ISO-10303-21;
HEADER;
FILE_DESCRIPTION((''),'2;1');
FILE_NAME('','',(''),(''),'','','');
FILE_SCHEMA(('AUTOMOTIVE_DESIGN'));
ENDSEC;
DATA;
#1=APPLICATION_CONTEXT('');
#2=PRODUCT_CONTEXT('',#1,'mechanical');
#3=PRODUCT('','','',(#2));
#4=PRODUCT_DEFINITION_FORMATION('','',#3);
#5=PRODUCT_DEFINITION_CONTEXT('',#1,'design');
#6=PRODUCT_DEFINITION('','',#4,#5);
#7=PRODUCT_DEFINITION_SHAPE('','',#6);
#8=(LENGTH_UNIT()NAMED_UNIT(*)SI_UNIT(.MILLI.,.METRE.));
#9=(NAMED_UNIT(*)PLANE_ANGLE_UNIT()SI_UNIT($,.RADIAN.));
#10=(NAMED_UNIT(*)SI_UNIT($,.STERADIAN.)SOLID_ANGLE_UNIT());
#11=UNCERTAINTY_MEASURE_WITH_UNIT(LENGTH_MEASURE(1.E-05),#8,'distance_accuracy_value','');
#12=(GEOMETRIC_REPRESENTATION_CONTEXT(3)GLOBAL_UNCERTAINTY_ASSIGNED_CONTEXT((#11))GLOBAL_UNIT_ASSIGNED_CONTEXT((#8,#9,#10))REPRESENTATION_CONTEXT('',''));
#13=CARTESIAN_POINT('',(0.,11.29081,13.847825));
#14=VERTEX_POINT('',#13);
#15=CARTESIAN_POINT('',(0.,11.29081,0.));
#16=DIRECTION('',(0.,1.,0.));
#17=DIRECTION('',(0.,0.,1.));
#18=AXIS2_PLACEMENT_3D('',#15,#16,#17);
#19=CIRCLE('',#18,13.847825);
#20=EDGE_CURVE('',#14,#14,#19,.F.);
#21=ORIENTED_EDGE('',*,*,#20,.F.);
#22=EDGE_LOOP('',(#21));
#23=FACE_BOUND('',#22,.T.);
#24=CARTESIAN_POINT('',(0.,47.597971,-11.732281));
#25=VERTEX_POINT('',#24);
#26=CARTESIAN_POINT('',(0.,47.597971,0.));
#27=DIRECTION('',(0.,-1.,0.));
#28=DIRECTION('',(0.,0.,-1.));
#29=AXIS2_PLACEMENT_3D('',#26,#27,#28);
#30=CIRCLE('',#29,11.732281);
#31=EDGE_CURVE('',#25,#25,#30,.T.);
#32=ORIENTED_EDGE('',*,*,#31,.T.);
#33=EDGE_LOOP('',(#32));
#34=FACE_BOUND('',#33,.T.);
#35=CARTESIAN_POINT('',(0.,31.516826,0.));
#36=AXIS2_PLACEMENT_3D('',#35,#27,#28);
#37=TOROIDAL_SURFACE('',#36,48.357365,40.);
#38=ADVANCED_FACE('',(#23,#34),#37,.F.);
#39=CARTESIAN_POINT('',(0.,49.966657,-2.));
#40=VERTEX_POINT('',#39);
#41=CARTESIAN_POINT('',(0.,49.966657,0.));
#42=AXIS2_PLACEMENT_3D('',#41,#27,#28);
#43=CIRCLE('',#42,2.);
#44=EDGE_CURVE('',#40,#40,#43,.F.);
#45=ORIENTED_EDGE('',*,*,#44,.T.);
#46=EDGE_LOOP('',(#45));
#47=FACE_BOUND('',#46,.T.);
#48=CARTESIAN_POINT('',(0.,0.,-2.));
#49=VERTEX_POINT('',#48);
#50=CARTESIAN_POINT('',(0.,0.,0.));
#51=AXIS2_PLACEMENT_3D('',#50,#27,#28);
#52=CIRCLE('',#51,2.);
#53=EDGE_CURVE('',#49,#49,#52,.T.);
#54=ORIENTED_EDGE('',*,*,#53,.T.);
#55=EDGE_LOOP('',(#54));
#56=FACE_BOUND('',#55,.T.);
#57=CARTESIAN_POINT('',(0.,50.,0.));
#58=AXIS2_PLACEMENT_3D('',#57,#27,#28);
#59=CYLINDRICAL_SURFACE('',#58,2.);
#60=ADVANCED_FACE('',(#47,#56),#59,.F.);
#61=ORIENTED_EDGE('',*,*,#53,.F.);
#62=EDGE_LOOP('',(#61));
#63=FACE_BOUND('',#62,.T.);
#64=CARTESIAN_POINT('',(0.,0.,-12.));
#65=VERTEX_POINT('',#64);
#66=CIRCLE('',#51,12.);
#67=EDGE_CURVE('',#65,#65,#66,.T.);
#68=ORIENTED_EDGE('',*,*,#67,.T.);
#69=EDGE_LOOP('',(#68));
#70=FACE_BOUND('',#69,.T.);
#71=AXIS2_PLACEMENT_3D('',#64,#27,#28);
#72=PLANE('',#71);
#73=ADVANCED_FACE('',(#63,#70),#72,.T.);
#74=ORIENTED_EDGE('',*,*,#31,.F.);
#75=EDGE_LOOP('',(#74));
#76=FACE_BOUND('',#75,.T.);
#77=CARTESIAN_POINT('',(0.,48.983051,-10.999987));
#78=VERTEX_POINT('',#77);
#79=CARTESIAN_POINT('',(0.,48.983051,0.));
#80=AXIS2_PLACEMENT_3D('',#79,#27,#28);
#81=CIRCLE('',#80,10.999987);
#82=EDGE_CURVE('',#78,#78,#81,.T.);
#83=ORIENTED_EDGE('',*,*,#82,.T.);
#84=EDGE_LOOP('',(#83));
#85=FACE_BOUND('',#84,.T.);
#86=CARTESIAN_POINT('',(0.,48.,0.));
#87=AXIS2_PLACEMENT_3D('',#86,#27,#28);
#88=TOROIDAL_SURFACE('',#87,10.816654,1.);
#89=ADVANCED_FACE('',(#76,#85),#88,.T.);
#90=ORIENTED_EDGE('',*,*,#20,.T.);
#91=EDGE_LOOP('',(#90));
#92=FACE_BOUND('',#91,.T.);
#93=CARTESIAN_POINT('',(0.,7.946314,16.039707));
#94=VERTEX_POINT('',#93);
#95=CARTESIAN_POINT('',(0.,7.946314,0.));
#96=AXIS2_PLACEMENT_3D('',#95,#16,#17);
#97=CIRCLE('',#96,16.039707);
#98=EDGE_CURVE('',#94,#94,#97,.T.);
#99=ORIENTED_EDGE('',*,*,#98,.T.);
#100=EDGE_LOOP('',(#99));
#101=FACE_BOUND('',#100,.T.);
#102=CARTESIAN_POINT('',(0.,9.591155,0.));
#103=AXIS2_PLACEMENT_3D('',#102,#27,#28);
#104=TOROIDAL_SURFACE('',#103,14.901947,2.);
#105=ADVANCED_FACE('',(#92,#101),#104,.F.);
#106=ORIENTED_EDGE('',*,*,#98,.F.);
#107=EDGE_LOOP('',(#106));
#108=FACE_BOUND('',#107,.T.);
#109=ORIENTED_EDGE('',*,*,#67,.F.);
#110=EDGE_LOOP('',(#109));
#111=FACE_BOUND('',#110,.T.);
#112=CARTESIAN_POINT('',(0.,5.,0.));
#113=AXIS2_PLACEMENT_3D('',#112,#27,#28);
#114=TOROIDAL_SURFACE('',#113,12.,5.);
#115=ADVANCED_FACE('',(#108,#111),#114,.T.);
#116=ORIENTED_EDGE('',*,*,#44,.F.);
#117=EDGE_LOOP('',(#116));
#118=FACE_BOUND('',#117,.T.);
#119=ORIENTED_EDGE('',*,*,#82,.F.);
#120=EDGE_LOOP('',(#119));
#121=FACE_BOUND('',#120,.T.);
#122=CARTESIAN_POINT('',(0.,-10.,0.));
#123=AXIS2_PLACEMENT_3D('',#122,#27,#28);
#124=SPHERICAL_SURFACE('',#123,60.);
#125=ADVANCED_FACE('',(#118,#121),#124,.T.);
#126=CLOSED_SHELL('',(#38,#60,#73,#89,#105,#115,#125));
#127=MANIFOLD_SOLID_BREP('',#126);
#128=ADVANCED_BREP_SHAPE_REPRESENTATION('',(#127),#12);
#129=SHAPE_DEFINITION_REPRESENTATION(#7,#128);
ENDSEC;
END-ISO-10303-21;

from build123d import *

# Parameters (mm, degrees)
SKETCH2_R          = 2
SKETCH3_R          = 2
CUT_EXTRUDE1_DEPTH = 51


with BuildPart() as part:
    # Sketch1 → Revolve1 (revolve)
    with BuildSketch(Plane(origin=(0, 0, 0), x_dir=(0, 0, -1), z_dir=(1, 0, 0))):
        with BuildLine():
            Line((0, 0), (0, 50))
            ThreePointArc((0, 50), (5.523447707, 49.745221779), (10.999986942, 48.983050847))
            ThreePointArc((10.999986942, 48.983050847), (11.700701157, 48.467397387), (11.732280918, 47.597971357))
            ThreePointArc((11.732280918, 47.597971357), (8.591312849, 27.196972532), (16.039707174, 7.946313959))
            ThreePointArc((16.039707174, 7.946313959), (16.457104991, 2.734119354), (12, 0))
            Line((12, 0), (0, 0))
        make_face()
    revolve(axis=Axis((0, 0, 0), (0, 1, 0)))

    # Sketch2 → Cut-Revolve1 (revolve, cut)
    with BuildSketch(Plane(origin=(0, 0, 0), x_dir=(0, 0, -1), z_dir=(1, 0, 0))):
        with Locations((14.901947009, 9.591154926)):
            Circle(SKETCH2_R)
    revolve(axis=Axis((0, 0, 0), (0, 1, 0)), mode=Mode.SUBTRACT)

    # Sketch3 → Cut-Extrude1 (cut, through all)
    with BuildSketch(Plane.XZ):
        Circle(SKETCH3_R)
    extrude(amount=-CUT_EXTRUDE1_DEPTH, mode=Mode.SUBTRACT)


solid = part.part
